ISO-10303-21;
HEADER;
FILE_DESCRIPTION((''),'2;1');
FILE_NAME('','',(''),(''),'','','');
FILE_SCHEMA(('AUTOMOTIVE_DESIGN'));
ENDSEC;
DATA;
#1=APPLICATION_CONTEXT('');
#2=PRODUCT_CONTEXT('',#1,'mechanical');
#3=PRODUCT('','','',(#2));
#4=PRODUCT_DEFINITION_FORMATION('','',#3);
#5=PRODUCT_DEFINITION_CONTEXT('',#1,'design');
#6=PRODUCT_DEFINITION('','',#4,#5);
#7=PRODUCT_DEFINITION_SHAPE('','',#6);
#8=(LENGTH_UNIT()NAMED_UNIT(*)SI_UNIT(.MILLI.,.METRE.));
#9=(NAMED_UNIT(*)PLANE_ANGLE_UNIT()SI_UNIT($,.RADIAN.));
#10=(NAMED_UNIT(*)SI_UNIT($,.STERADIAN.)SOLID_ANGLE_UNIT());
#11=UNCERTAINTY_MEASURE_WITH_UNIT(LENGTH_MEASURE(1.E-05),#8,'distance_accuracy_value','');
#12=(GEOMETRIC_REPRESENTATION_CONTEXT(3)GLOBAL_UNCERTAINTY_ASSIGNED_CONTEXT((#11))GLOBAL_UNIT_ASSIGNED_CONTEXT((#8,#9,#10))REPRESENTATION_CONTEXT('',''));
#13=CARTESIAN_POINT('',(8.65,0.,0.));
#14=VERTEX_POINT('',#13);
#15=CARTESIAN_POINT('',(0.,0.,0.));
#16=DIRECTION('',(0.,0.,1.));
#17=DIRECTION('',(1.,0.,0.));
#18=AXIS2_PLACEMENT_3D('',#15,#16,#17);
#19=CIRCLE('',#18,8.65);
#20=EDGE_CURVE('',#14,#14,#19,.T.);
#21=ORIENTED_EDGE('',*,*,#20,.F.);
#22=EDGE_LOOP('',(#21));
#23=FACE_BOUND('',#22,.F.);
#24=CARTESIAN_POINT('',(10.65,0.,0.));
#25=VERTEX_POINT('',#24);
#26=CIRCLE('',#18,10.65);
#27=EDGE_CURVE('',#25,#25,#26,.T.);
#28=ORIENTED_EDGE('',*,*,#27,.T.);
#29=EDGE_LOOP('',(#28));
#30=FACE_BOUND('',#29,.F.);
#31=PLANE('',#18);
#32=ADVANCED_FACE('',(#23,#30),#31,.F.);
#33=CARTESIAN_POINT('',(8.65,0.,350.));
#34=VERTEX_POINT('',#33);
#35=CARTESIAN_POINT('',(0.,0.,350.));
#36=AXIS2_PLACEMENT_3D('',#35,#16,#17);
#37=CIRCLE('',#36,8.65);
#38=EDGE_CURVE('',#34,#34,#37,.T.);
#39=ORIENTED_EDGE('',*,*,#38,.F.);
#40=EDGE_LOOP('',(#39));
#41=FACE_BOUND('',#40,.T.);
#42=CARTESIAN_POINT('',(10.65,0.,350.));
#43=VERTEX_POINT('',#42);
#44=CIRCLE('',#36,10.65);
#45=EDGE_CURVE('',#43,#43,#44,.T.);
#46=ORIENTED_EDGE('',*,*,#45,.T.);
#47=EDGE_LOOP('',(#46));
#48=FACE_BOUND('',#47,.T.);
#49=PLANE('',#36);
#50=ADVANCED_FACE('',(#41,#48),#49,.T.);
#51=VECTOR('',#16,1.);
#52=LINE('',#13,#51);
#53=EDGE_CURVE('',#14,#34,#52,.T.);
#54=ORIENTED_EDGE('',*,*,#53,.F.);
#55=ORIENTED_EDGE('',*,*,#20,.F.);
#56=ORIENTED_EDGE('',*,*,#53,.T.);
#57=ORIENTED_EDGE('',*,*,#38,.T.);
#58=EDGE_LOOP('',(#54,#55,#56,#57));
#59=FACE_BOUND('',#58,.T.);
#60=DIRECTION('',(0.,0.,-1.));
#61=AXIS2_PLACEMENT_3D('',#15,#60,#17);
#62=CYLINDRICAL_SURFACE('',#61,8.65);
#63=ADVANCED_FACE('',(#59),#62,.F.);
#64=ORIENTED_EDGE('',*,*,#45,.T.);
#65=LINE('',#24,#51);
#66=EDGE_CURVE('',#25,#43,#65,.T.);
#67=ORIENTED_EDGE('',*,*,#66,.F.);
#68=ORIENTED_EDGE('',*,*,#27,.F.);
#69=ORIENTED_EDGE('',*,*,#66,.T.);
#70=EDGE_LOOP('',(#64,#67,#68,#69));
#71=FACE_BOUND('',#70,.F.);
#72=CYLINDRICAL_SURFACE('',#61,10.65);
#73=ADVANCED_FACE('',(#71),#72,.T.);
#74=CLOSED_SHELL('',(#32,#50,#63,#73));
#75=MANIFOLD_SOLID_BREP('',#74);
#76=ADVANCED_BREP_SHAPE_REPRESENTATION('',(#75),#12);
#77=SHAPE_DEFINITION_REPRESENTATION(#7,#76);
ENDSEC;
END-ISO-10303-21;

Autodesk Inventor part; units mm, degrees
ref_plane "YZ Plane" through (0, 0, 0) normal (1, 0, 0) x (0, 1, 0)
ref_plane "Start plane" through (0, 0, 0) normal (0, 0, 1) x (1, 0, 0)
ref_plane "End plane" through (0, 0, 350) normal (0, 0, 1) x (1, 0, 0)
sketch "Sketch" plane through (0, 0, 0) normal (0, 0, 1) x (1, 0, 0)
  circle A0 centre (0, 0) radius 8.65
  circle A1 centre (0, 0) radius 10.65
  dimension "d0" = 21.3
  dimension "d1" = 2
extrude "Body" add sketch "Sketch" along normal up to surface (350 mm away) from surface at 0
sketch "Sketch3" plane through (0, 0, 0) normal (0, 0, 1) x (1, 0, 0)
  line L0 (0, 0) -> (10, 0)
ref_plane "Work Plane3" through (0, 0, 0) normal (0, -1, 0) x (1, 0, 0)
sketch "Sketch4" plane through (0, 0, 0) normal (0, -1, 0) x (1, 0, 0)
  line L0 (-2, 0) -> (12, 0)
  line L1 (-2, 350) -> (12, 350)
  dimension "d7" = 350
equation "\"d0\" = G_H"
equation "\"d1\" = G_T"
equation "\"d2\" = G_L"
equation "\"G_H\" = 21.3"
equation "\"G_T\" = 2"
equation "\"G_L\" = d7"
equation "\"G_OFFSET_START\" = 0"
equation "\"G_OFFSET_END\" = 0"
equation "\"d5\" = G_OFFSET_END + B_L"
equation "\"B_L\" = 350"
properties part number "UNI EN 10219-2 - 21,3 x 2 - 350" material "Steel, Mild"
